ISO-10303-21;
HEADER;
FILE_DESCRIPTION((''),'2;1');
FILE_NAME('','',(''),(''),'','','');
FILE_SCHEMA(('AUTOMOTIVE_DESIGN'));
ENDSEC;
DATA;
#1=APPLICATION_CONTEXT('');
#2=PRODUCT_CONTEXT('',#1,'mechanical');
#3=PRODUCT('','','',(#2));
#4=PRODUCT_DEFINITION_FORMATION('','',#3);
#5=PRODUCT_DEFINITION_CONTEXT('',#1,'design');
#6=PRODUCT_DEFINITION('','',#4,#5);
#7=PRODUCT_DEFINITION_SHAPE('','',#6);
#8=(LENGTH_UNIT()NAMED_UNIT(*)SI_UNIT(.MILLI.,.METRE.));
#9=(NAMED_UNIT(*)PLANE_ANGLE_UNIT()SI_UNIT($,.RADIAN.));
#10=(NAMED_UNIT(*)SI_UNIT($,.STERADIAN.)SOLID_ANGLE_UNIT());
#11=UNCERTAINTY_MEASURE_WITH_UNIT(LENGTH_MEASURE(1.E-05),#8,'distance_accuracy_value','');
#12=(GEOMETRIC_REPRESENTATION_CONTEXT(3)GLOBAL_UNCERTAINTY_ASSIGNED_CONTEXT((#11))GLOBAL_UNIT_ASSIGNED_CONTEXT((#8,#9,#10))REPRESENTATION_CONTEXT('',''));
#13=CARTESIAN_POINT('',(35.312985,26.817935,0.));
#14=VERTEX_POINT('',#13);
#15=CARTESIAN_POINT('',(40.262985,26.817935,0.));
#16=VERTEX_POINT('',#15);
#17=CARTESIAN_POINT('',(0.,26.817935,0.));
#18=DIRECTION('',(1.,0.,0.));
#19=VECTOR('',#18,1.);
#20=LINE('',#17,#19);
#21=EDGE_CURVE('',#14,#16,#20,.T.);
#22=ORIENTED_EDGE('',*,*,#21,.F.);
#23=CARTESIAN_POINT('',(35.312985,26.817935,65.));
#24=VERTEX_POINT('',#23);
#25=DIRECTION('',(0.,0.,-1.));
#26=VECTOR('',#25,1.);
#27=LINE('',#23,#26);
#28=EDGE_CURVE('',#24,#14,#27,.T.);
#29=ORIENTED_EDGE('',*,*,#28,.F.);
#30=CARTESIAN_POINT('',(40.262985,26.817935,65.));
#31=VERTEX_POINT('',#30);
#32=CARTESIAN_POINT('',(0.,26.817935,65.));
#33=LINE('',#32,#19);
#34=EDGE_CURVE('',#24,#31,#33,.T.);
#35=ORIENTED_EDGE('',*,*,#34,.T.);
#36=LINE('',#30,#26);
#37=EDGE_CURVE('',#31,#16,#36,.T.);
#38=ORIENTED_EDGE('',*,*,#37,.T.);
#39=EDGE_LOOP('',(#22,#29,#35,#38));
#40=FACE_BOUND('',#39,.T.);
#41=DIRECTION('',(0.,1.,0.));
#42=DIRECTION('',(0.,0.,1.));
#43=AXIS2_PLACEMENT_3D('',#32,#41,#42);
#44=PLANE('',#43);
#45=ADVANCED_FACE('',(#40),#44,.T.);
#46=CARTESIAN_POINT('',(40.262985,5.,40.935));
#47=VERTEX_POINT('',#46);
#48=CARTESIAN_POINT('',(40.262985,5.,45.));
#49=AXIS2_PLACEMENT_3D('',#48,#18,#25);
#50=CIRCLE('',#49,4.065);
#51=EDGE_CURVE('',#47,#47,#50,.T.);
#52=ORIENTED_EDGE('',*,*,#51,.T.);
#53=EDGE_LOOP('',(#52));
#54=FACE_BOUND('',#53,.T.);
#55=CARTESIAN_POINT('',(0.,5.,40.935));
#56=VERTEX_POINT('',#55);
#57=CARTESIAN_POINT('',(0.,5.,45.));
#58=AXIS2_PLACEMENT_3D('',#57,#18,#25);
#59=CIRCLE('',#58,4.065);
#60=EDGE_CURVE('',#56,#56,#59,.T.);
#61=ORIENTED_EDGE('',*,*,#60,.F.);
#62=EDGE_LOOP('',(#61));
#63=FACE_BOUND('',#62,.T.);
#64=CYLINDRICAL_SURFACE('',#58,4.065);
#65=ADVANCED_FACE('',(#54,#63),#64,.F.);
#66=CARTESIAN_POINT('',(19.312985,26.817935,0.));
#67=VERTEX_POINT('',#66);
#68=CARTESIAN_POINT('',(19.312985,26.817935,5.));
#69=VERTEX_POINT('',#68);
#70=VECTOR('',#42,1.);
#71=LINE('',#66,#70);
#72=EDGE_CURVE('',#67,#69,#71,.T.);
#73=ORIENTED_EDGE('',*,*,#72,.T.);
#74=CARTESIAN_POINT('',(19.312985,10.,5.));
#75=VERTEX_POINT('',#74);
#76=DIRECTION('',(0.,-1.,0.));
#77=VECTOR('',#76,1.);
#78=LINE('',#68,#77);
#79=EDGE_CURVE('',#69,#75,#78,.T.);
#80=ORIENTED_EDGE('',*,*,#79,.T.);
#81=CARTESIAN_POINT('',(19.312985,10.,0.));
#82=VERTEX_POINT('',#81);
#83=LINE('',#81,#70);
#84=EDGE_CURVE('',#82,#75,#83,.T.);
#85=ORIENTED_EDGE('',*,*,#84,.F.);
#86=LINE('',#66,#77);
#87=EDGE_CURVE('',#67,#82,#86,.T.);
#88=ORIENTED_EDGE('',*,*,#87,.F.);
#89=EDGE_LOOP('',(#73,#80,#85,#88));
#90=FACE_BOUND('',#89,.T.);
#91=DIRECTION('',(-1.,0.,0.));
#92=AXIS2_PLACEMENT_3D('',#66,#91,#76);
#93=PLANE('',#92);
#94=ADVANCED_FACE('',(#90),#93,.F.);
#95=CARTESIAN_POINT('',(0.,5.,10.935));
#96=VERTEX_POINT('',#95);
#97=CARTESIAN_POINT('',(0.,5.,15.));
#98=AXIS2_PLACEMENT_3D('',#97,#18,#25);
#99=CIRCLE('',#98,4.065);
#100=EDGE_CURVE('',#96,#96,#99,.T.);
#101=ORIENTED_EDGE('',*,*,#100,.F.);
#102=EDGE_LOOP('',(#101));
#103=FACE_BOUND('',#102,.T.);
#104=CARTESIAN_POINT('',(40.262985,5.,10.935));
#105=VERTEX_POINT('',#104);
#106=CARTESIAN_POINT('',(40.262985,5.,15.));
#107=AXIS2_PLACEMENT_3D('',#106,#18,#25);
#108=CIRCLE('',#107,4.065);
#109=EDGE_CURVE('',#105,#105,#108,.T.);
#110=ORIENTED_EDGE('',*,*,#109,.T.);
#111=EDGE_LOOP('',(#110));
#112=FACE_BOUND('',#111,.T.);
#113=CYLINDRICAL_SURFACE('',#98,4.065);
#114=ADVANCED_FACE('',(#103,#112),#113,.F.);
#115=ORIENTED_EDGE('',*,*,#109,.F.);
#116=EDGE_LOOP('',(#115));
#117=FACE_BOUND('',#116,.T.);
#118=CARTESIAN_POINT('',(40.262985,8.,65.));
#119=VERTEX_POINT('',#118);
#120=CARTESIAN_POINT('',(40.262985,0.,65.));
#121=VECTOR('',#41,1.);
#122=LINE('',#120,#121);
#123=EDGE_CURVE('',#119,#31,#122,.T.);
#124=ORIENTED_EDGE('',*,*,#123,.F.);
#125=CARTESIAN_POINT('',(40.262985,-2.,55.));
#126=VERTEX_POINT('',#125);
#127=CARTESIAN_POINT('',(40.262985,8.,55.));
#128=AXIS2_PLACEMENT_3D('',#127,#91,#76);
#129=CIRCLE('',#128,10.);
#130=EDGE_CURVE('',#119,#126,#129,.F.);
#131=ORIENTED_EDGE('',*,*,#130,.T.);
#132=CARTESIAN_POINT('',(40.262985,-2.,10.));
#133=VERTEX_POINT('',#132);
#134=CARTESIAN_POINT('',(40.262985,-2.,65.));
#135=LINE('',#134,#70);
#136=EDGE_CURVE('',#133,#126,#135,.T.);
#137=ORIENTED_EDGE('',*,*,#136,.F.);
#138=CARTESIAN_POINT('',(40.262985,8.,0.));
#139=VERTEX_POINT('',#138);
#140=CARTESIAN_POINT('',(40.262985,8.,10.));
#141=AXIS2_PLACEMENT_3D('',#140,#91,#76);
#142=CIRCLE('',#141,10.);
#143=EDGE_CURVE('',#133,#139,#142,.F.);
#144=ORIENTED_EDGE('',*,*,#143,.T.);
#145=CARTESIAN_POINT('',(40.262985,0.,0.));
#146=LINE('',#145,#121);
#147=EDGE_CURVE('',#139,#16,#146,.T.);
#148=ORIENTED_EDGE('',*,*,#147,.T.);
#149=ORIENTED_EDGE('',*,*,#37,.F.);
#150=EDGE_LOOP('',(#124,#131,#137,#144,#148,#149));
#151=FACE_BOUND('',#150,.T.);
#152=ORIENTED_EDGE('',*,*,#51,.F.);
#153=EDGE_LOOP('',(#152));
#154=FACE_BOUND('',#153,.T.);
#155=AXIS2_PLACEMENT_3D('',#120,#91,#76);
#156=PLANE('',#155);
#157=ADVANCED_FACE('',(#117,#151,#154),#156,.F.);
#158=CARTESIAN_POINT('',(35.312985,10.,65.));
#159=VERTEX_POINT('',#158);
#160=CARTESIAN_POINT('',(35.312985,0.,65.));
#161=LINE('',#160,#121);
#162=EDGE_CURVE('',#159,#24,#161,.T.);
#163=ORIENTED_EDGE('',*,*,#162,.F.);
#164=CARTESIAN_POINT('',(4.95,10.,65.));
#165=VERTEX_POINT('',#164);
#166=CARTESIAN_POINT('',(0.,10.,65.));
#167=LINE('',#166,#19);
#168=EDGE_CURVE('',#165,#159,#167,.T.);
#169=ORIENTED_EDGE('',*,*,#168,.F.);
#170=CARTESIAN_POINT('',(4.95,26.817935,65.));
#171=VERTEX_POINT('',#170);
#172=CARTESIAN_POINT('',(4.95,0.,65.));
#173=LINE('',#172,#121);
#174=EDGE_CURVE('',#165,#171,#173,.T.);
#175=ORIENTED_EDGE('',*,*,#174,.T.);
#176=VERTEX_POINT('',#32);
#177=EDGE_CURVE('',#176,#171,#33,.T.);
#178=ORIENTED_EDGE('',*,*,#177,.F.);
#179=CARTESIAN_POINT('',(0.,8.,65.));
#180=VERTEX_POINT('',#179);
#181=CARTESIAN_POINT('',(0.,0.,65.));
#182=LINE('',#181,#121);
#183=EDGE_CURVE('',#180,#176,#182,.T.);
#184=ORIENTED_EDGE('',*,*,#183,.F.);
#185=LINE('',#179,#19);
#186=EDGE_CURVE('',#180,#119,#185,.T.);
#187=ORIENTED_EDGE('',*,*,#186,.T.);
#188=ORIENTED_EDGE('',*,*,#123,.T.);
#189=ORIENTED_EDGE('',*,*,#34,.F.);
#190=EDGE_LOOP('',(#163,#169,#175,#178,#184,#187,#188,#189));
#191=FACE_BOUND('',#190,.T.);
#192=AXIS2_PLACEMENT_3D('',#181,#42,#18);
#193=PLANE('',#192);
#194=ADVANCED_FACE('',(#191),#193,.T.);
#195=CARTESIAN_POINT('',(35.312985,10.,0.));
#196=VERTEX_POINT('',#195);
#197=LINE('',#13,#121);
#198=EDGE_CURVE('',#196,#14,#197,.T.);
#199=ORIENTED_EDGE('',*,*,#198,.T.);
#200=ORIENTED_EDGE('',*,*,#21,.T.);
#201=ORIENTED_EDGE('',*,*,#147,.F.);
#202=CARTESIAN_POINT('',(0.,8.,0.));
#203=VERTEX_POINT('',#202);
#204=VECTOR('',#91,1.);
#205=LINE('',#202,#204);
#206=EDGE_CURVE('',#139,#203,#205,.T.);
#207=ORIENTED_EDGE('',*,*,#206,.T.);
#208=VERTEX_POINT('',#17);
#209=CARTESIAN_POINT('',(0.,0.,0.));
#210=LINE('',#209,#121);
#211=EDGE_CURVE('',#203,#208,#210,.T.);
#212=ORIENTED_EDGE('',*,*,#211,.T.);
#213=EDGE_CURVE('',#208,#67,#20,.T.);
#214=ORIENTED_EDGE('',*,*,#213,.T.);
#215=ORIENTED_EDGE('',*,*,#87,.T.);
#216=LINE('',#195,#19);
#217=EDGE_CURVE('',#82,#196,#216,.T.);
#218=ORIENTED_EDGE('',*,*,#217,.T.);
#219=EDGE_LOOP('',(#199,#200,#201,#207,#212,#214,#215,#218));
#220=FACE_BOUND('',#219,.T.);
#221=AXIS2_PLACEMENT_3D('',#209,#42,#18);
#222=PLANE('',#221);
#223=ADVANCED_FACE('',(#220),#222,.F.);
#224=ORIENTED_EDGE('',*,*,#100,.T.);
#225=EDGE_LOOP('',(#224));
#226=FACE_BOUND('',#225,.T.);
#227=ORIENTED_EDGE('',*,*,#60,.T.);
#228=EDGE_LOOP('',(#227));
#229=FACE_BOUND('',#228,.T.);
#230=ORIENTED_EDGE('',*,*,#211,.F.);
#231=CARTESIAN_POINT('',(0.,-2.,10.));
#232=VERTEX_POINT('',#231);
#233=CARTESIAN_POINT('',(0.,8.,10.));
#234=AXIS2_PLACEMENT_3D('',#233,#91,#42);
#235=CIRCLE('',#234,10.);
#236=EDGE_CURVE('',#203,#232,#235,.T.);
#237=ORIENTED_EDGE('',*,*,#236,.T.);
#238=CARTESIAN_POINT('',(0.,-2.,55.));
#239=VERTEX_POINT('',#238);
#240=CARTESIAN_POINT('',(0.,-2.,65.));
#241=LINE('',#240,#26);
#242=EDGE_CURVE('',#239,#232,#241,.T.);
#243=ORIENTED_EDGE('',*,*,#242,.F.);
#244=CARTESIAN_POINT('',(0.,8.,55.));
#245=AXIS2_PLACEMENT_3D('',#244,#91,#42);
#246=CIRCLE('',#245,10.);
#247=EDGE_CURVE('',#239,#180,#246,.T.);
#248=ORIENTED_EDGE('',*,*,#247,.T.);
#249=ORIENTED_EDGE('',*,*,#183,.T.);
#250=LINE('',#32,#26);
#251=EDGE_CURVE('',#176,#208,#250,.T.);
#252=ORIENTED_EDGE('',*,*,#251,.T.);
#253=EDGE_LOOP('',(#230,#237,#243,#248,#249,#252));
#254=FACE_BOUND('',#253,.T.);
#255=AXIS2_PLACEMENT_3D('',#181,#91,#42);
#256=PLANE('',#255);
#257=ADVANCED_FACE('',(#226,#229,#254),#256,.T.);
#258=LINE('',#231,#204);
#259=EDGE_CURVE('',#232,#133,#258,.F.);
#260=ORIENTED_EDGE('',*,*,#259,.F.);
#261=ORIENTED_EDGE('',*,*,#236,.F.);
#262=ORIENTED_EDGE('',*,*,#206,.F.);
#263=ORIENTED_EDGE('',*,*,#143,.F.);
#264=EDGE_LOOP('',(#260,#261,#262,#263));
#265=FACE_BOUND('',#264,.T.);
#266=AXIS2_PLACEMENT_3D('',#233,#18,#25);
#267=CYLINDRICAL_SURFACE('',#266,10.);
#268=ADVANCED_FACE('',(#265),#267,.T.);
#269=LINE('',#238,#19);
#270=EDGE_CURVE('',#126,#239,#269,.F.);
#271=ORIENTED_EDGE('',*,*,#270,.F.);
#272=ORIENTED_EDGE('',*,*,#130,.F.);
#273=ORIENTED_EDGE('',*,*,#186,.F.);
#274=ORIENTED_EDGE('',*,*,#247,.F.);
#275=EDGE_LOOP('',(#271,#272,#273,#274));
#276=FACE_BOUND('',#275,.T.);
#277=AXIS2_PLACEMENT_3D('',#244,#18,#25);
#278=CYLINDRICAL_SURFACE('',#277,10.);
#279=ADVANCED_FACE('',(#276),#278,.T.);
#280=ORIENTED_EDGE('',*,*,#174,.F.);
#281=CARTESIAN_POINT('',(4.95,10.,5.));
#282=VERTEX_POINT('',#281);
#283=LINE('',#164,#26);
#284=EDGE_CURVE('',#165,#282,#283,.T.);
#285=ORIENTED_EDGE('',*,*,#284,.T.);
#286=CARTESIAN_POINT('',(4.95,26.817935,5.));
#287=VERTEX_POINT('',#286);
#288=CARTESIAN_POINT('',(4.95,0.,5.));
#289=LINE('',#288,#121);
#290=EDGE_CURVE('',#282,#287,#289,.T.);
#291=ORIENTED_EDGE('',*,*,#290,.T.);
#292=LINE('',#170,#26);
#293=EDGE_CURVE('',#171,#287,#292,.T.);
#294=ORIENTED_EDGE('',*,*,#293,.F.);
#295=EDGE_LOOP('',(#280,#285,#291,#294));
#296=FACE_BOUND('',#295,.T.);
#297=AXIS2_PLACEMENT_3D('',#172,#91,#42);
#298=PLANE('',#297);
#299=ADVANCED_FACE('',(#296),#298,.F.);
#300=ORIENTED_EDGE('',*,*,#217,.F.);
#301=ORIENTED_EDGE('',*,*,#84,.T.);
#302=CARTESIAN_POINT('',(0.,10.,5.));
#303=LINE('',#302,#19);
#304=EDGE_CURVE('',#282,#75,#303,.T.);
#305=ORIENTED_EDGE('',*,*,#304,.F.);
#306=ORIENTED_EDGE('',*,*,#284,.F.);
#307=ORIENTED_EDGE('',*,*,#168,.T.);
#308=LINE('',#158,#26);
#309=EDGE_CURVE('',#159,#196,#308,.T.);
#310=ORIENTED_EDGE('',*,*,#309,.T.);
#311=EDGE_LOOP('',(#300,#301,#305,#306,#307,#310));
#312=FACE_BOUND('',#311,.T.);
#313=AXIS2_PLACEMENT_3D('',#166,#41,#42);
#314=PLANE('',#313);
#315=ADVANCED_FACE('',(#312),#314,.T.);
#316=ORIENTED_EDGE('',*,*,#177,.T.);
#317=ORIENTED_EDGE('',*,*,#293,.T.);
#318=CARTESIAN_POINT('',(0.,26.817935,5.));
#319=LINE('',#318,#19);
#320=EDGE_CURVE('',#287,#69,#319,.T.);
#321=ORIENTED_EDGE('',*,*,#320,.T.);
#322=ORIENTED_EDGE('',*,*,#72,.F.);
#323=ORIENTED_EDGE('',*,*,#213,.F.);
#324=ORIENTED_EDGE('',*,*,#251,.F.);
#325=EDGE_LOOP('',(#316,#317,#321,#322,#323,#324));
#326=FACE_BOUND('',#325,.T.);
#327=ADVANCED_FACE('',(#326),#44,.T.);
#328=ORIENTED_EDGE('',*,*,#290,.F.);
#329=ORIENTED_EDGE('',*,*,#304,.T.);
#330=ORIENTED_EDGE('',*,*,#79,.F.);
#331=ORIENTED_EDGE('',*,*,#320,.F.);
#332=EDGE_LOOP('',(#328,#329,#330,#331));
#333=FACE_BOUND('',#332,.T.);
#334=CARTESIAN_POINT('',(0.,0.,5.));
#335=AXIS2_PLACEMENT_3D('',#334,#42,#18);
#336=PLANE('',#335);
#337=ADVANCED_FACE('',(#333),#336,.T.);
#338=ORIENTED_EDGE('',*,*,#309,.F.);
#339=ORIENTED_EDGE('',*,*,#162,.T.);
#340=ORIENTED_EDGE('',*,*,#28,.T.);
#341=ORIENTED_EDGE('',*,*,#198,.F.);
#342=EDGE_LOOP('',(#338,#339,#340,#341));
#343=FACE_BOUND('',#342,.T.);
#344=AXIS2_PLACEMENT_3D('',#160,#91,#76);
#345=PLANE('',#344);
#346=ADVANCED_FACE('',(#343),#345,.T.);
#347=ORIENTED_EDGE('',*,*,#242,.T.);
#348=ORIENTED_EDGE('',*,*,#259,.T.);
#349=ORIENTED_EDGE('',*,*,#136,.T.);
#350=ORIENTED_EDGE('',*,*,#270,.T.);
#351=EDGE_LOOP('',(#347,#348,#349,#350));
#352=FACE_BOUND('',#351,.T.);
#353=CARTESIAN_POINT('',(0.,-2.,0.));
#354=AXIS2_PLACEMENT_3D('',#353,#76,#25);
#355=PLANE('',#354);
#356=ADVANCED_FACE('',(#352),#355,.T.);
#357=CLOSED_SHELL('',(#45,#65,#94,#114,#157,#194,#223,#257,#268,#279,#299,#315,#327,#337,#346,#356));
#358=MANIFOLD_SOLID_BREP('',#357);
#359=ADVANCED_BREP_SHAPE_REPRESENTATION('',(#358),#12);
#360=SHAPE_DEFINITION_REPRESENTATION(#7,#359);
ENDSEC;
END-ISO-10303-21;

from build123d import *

# Parameters (mm, degrees)
ESQUISSE1_W               = 40.2629848
ESQUISSE1_H               = 26.817935246
BOSS_EXTRU_1_DEPTH        = 65
COQUE1_T                  = -1.5
COQUE1_THICKNESS_2_FACE_W = 63.5
COQUE1_THICKNESS_2_FACE_H = 25.317935246
COQUE1_THICKNESS_2_DEPTH  = 3.45
COQUE1_THICKNESS_3_FACE_W = 25.317935246
COQUE1_THICKNESS_3_FACE_H = 63.5
COQUE1_THICKNESS_3_DEPTH  = 3.45
COQUE1_THICKNESS_4_FACE_W = 63.5
COQUE1_THICKNESS_4_FACE_H = 30.3629848
COQUE1_THICKNESS_4_DEPTH  = 8.5
COQUE1_THICKNESS_5_FACE_W = 30.3629848
COQUE1_THICKNESS_5_FACE_H = 16.817935246
COQUE1_THICKNESS_5_DEPTH  = 3.5
ESQUISSE4_W               = 40.2629848
ESQUISSE4_H               = 65
BOSS_EXTRU_2_DEPTH        = 2
ESQUISSE5_R               = 4.065
ENL_V_MAT_EXTRU_3_DEPTH   = 82.026598076
CONG_2_R                  = 10
CONG_3_R                  = 10
ESQUISSE6_W               = 16
ESQUISSE6_H               = 16.817935246
ENL_V_MAT_EXTRU_4_DEPTH   = 78.073403946


with BuildPart() as part:
    # Esquisse1 → Boss.-Extru.1 (new body)
    with BuildSketch(Plane.XY):
        with Locations((20.1314924, 13.408967623)):
            Rectangle(ESQUISSE1_W, ESQUISSE1_H)
    extrude(amount=BOSS_EXTRU_1_DEPTH)

    # Coque1
    coque1_openings = [part.faces().sort_by_distance(p)[0] for p in [
        (20.1314924, 13.408967623, 65),
        (20.1314924, 26.817935246, 32.5),
    ]]
    offset(amount=COQUE1_T, openings=coque1_openings, kind=Kind.INTERSECTION)

    # Coque1 thickness 2 face (on inner face of the shell) → Coque1 thickness 2 (add)
    with BuildSketch(Plane(origin=(1.5, 14.158967623, 33.25), x_dir=(0, 0, -1), z_dir=(-1, 0, 0))):
        Rectangle(COQUE1_THICKNESS_2_FACE_W, COQUE1_THICKNESS_2_FACE_H)
    extrude(amount=-COQUE1_THICKNESS_2_DEPTH)

    # Coque1 thickness 3 face (on inner face of the shell) → Coque1 thickness 3 (add)
    with BuildSketch(Plane(origin=(38.7629848, 14.158967623, 33.25), x_dir=(0, 1, 0), z_dir=(1, 0, 0))):
        Rectangle(COQUE1_THICKNESS_3_FACE_W, COQUE1_THICKNESS_3_FACE_H)
    extrude(amount=-COQUE1_THICKNESS_3_DEPTH)

    # Coque1 thickness 4 face (on inner face of the shell) → Coque1 thickness 4 (add)
    with BuildSketch(Plane(origin=(20.1314924, 1.5, 33.25), x_dir=(0, 0, -1), z_dir=(0, -1, 0))):
        Rectangle(COQUE1_THICKNESS_4_FACE_W, COQUE1_THICKNESS_4_FACE_H)
    extrude(amount=-COQUE1_THICKNESS_4_DEPTH)

    # Coque1 thickness 5 face (on inner face of the shell) → Coque1 thickness 5 (add)
    with BuildSketch(Plane(origin=(20.1314924, 18.408967623, 1.5), x_dir=(-1, 0, 0), z_dir=(0, 0, -1))):
        Rectangle(COQUE1_THICKNESS_5_FACE_W, COQUE1_THICKNESS_5_FACE_H)
    extrude(amount=-COQUE1_THICKNESS_5_DEPTH)

    # Esquisse4 → Boss.-Extru.2 (add)
    with BuildSketch(Plane.XZ):
        with Locations((20.1314924, 32.5)):
            Rectangle(ESQUISSE4_W, ESQUISSE4_H)
    extrude(amount=BOSS_EXTRU_2_DEPTH)

    # Esquisse5 → Enlèv. mat.-Extru.3 (cut, through all)
    with BuildSketch(Plane(origin=(40.2629848, 0, 0), x_dir=(0, 0, -1), z_dir=(1, 0, 0))):
        with Locations((-15, 5)):
            Circle(ESQUISSE5_R)
        with Locations((-45, 5)):
            Circle(ESQUISSE5_R)
    extrude(amount=-ENL_V_MAT_EXTRU_3_DEPTH, mode=Mode.SUBTRACT)

    # Congé2
    cong_2_edges = [part.edges().sort_by_distance(p)[0] for p in [
        (20.1314924, -2, 0),
    ]]
    fillet(cong_2_edges, radius=CONG_2_R)

    # Congé3
    cong_3_edges = [part.edges().sort_by_distance(p)[0] for p in [
        (20.1314924, -2, 65),
    ]]
    fillet(cong_3_edges, radius=CONG_3_R)

    # Esquisse6 → Enlèv. mat.-Extru.4 (cut, through all)
    with BuildSketch(Plane.XY.offset(5)):
        with Locations((27.3129848, 18.408967623)):
            Rectangle(ESQUISSE6_W, ESQUISSE6_H)
    extrude(amount=-ENL_V_MAT_EXTRU_4_DEPTH, mode=Mode.SUBTRACT)


solid = part.part
